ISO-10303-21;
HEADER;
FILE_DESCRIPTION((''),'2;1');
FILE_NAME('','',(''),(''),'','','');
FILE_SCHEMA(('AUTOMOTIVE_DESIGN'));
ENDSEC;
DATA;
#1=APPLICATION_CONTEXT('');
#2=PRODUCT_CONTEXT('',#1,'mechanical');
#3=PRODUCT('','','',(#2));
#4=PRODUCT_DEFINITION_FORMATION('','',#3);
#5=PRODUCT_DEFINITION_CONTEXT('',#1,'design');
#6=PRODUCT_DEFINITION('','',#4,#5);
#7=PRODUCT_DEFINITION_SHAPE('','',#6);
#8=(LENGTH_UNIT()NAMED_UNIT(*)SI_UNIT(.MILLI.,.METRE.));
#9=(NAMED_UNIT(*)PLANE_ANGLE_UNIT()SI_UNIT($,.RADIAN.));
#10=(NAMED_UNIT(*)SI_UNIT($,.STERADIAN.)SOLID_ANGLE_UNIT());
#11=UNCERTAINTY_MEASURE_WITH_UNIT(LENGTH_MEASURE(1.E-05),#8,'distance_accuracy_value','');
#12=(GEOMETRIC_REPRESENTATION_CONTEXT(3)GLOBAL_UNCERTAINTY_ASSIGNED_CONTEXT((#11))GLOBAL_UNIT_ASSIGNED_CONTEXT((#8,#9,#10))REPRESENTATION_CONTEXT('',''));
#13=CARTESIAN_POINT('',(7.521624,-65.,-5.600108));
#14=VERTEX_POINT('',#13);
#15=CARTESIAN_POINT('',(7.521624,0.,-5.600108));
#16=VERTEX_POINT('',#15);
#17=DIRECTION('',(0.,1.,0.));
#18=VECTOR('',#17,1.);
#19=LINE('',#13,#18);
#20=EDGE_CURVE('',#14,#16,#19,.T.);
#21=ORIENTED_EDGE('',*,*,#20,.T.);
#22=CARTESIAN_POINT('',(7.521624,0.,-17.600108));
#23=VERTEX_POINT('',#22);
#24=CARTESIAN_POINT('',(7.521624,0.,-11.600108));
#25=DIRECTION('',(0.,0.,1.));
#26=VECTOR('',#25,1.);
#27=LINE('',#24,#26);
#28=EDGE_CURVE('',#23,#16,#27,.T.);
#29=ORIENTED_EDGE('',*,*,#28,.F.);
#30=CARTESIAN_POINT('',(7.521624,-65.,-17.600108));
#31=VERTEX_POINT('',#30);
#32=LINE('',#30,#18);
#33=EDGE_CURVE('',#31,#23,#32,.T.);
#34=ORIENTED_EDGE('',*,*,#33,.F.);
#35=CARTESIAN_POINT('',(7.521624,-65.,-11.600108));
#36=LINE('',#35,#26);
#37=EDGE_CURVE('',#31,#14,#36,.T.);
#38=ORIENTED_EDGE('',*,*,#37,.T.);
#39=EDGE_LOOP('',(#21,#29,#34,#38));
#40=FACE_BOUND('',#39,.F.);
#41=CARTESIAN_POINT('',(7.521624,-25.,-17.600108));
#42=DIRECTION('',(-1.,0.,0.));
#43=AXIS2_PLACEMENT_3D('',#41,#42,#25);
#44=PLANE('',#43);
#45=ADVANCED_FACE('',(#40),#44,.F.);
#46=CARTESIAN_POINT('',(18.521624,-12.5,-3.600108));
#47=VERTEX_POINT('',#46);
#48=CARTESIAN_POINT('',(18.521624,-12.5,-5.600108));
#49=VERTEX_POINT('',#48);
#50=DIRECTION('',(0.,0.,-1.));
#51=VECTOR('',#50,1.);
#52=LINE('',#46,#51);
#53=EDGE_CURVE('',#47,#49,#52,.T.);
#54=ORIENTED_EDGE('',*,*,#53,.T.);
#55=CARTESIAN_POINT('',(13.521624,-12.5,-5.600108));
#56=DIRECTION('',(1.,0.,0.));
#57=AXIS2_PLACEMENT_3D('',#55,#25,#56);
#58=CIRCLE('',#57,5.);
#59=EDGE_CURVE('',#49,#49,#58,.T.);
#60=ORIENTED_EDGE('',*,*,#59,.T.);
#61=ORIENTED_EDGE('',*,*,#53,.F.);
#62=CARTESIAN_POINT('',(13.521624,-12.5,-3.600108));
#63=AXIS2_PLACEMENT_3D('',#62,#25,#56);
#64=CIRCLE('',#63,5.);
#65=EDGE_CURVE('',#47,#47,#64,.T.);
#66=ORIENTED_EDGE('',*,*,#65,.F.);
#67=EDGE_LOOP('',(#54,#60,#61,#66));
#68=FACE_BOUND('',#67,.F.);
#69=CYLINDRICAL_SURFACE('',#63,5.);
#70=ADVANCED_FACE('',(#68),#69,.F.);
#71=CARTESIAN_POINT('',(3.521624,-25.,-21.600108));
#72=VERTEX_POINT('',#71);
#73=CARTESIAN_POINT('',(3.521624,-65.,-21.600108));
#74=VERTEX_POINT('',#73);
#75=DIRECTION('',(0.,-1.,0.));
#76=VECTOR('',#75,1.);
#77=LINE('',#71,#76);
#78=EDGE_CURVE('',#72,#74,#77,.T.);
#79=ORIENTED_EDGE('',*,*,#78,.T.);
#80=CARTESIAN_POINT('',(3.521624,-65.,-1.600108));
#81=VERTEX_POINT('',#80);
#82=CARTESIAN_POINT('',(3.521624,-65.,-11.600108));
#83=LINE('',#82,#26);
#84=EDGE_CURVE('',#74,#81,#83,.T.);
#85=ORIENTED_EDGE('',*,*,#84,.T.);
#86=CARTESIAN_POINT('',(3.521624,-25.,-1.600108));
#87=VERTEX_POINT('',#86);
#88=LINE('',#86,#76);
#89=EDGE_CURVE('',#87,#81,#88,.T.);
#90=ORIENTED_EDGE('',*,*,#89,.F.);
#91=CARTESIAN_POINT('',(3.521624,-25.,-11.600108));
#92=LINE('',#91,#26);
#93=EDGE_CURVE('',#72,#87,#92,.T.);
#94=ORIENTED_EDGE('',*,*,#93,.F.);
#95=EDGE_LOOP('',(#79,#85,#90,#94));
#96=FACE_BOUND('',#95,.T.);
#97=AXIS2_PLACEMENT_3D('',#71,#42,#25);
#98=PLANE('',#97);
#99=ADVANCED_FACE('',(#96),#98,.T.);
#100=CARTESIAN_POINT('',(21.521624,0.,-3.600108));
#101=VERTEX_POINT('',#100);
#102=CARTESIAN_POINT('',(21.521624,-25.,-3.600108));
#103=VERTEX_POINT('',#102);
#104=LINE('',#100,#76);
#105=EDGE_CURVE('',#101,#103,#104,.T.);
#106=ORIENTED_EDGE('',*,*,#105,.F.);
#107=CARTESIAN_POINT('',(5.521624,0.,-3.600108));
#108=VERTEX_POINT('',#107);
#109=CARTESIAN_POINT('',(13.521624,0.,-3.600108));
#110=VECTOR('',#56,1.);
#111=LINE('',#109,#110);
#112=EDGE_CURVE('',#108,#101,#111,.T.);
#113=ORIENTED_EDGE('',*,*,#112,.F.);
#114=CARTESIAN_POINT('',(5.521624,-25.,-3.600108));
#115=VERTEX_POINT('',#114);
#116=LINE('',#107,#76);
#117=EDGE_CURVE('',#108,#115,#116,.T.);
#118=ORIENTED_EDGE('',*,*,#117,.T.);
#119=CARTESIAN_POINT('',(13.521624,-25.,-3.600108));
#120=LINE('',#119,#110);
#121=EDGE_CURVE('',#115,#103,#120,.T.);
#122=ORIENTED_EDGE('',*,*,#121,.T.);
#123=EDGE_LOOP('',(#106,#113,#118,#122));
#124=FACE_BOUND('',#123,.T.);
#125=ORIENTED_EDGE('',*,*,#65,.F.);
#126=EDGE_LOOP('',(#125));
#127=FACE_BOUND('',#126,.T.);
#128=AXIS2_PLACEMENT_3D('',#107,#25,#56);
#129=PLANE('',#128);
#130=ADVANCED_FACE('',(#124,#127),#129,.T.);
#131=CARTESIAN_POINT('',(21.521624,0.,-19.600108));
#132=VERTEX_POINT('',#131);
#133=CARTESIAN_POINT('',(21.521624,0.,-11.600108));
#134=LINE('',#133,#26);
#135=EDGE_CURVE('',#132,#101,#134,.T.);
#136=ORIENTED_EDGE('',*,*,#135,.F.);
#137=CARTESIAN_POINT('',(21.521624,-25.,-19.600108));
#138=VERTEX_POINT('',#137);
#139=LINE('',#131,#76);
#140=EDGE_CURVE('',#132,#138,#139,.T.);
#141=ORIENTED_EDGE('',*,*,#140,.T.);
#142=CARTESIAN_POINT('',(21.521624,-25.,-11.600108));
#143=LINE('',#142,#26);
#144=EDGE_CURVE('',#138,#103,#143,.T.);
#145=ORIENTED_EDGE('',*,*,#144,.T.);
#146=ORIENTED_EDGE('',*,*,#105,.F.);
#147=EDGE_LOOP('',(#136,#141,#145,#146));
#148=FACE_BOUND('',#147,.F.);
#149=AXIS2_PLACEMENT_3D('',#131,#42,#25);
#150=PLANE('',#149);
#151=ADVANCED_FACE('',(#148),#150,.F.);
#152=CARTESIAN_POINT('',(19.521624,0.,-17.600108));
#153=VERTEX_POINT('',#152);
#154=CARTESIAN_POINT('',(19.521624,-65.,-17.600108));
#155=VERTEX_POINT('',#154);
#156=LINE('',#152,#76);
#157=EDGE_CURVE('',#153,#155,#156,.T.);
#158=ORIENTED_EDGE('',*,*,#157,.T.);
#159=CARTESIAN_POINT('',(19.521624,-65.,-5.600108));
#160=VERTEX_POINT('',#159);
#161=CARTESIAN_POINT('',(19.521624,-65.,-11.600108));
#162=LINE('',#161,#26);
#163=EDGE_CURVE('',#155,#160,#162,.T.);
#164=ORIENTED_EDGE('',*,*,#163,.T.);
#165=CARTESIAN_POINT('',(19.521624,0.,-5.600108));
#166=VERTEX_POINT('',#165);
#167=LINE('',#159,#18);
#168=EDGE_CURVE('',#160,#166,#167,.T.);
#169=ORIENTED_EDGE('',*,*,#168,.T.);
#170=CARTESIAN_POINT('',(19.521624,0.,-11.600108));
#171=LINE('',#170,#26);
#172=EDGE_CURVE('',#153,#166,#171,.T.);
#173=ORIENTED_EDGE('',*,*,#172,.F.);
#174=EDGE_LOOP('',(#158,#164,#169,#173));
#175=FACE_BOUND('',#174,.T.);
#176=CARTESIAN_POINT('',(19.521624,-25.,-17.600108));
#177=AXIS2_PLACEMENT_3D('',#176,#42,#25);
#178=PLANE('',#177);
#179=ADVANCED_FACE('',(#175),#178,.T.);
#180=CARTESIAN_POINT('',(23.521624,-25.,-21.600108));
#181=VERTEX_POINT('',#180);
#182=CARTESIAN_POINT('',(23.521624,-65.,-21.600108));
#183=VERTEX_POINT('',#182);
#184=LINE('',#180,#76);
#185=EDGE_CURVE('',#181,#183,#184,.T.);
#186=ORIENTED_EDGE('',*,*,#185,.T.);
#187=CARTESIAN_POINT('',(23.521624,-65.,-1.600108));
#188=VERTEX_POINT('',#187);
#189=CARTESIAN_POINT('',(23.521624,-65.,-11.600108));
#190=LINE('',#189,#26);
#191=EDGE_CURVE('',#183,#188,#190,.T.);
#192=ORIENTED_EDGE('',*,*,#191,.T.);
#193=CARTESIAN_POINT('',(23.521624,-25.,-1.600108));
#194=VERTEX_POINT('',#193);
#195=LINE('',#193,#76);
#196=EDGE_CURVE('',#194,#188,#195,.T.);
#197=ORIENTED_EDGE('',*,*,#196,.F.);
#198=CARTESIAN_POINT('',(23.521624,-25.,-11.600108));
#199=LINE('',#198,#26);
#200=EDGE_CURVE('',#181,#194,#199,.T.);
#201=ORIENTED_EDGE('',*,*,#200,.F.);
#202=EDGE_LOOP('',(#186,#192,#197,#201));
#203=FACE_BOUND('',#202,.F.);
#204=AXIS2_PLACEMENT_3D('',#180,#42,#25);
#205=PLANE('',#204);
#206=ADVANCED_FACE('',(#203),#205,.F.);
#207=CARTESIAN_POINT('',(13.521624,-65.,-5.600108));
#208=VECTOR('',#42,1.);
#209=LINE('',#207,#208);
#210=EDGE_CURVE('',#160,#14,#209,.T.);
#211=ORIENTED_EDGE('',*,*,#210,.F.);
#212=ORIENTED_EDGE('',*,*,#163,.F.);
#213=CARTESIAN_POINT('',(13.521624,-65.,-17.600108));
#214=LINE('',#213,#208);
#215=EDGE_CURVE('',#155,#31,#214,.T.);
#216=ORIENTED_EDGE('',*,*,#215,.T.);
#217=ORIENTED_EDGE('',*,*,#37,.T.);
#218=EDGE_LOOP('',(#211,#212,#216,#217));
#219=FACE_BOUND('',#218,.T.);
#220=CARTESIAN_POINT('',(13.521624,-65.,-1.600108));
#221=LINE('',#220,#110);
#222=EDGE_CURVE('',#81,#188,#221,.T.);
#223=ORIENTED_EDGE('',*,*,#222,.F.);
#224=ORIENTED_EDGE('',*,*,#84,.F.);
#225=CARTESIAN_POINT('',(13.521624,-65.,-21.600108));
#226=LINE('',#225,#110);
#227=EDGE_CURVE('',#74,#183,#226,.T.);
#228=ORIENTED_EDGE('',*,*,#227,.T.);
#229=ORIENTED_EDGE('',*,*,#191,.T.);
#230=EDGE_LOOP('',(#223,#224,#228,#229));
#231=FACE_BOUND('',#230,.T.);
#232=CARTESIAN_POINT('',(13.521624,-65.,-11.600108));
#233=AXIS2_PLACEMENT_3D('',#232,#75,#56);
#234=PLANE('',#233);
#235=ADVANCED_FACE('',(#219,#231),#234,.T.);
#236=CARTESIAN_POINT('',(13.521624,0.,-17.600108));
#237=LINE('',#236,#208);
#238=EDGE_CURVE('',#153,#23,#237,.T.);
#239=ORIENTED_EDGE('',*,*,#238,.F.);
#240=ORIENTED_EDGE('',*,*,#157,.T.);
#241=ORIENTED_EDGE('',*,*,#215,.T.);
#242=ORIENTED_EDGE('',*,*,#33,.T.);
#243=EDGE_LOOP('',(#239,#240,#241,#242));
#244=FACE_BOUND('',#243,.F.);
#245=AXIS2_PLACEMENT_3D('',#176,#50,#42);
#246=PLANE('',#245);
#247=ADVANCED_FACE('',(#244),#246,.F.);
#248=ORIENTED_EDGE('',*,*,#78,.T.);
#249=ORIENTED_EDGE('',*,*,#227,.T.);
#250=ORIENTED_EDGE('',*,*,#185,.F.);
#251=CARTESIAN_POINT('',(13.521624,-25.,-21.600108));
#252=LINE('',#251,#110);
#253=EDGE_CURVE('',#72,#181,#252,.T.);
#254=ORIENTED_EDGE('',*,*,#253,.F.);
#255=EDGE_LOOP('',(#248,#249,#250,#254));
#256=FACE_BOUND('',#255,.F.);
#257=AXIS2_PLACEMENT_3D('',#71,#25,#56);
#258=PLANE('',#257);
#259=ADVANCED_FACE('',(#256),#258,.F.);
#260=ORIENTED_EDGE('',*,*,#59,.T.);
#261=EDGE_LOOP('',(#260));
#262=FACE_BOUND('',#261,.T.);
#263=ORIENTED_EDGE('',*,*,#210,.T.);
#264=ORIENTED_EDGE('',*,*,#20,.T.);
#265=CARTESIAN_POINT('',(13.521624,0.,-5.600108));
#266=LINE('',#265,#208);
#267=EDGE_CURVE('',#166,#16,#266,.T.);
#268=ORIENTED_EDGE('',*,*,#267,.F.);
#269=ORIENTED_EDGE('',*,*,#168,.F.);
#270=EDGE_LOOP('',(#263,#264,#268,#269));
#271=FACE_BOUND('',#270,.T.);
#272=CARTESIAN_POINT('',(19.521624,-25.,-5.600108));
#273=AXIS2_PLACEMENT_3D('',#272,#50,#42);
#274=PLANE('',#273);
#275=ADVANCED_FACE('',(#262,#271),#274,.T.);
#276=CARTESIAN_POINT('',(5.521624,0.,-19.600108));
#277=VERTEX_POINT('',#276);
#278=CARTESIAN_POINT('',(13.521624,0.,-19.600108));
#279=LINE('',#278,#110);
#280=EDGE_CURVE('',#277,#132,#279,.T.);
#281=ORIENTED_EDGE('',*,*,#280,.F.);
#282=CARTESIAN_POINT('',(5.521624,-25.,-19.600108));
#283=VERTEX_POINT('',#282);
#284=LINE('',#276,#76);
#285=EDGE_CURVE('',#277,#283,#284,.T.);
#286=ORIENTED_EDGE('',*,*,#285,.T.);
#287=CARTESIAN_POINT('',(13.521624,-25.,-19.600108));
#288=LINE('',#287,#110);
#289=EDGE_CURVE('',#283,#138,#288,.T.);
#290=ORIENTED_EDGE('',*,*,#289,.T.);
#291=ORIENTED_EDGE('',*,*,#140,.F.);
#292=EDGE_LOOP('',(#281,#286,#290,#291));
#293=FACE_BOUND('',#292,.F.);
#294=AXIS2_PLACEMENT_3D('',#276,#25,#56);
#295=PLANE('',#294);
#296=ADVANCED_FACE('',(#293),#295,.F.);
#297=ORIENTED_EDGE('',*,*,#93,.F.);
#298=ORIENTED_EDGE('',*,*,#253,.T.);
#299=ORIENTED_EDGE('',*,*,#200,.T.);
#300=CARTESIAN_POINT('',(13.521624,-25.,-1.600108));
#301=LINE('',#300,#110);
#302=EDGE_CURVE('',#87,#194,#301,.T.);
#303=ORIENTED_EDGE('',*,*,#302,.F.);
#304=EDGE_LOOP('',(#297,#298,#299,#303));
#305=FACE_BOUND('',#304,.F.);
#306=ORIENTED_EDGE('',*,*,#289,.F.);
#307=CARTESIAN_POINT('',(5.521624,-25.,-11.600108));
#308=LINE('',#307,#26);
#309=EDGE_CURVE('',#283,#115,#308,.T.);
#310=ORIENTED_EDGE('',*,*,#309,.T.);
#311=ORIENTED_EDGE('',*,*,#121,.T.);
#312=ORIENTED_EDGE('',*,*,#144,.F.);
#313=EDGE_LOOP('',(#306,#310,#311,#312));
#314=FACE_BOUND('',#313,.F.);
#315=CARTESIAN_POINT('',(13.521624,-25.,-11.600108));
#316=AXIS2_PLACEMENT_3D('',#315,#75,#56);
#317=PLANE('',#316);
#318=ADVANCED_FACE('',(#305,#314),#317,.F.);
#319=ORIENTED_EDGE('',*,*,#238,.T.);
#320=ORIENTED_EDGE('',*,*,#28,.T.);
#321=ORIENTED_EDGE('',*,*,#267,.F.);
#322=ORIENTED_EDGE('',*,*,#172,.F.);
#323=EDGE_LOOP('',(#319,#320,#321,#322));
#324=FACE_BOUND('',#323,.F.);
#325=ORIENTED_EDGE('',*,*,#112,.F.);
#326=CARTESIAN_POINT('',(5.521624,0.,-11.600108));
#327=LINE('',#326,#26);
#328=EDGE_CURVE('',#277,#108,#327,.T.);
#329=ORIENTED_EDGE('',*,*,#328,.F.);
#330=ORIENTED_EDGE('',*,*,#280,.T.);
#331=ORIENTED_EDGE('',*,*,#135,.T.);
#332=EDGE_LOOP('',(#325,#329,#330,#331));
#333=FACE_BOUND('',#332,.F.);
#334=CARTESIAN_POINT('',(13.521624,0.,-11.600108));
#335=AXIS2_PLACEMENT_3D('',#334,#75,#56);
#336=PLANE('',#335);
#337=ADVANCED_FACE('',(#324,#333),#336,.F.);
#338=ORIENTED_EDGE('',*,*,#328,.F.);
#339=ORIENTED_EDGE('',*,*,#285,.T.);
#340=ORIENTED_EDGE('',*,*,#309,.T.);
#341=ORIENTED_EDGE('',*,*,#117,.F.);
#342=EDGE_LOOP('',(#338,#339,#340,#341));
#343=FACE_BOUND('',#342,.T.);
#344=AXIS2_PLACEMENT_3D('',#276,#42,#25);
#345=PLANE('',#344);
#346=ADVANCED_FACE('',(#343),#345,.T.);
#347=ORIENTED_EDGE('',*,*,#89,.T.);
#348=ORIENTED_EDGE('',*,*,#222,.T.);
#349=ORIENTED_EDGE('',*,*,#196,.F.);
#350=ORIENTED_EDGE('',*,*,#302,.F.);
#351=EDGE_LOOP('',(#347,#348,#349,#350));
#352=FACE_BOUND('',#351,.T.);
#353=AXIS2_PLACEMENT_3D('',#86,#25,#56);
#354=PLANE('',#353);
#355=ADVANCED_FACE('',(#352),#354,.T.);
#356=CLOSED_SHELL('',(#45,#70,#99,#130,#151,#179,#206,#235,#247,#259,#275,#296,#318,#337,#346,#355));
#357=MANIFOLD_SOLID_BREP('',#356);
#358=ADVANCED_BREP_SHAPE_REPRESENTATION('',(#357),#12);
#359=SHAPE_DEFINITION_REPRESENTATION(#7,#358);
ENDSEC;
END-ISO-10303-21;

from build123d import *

# Parameters (mm, degrees)
F0_W     = 16
F0_H     = 16
F1_DEPTH = 25
F2_W     = 12
F2_H     = 12
F3_DEPTH = 25
F4_W     = 20
F4_H     = 20
F5_DEPTH = 40
F6_R     = 5
F7_DEPTH = 2
F8_W     = 12
F8_H     = 12
F9_DEPTH = 40


with BuildPart() as f1:
    # F0 (on Front) → F1 (new body)
    with BuildSketch(Plane.XZ):
        with Locations((13.521624, -11.600108)):
            Rectangle(F0_W, F0_H)
    extrude(amount=F1_DEPTH)

    # F2 (on face) → F3 (cut)
    with BuildSketch(Plane(origin=(0, 0, 0), x_dir=(-1, 0, 0), z_dir=(0, 1, 0))):
        with Locations((-13.521624, -11.600108)):
            Rectangle(F2_W, F2_H)
    extrude(amount=-F3_DEPTH, mode=Mode.SUBTRACT)

    # F4 (on face) → F5 (join)
    with BuildSketch(Plane.XZ.offset(25)):
        with Locations((13.521624, -11.600108)):
            Rectangle(F4_W, F4_H)
    extrude(amount=F5_DEPTH)

    # F6 (on face) → F7 (cut, through all)
    with BuildSketch(Plane.XY.offset(-3.600108)):
        with Locations((13.521624, -12.5)):
            Circle(F6_R)
    extrude(amount=-F7_DEPTH, mode=Mode.SUBTRACT)

    # F8 (on face) → F9 (cut, through all)
    with BuildSketch(Plane(origin=(0, -25, 0), x_dir=(-1, 0, 0), z_dir=(0, 1, 0))):
        with Locations((-13.521624, -11.600108)):
            Rectangle(F8_W, F8_H)
    extrude(amount=-F9_DEPTH, mode=Mode.SUBTRACT)


solid = f1.part
